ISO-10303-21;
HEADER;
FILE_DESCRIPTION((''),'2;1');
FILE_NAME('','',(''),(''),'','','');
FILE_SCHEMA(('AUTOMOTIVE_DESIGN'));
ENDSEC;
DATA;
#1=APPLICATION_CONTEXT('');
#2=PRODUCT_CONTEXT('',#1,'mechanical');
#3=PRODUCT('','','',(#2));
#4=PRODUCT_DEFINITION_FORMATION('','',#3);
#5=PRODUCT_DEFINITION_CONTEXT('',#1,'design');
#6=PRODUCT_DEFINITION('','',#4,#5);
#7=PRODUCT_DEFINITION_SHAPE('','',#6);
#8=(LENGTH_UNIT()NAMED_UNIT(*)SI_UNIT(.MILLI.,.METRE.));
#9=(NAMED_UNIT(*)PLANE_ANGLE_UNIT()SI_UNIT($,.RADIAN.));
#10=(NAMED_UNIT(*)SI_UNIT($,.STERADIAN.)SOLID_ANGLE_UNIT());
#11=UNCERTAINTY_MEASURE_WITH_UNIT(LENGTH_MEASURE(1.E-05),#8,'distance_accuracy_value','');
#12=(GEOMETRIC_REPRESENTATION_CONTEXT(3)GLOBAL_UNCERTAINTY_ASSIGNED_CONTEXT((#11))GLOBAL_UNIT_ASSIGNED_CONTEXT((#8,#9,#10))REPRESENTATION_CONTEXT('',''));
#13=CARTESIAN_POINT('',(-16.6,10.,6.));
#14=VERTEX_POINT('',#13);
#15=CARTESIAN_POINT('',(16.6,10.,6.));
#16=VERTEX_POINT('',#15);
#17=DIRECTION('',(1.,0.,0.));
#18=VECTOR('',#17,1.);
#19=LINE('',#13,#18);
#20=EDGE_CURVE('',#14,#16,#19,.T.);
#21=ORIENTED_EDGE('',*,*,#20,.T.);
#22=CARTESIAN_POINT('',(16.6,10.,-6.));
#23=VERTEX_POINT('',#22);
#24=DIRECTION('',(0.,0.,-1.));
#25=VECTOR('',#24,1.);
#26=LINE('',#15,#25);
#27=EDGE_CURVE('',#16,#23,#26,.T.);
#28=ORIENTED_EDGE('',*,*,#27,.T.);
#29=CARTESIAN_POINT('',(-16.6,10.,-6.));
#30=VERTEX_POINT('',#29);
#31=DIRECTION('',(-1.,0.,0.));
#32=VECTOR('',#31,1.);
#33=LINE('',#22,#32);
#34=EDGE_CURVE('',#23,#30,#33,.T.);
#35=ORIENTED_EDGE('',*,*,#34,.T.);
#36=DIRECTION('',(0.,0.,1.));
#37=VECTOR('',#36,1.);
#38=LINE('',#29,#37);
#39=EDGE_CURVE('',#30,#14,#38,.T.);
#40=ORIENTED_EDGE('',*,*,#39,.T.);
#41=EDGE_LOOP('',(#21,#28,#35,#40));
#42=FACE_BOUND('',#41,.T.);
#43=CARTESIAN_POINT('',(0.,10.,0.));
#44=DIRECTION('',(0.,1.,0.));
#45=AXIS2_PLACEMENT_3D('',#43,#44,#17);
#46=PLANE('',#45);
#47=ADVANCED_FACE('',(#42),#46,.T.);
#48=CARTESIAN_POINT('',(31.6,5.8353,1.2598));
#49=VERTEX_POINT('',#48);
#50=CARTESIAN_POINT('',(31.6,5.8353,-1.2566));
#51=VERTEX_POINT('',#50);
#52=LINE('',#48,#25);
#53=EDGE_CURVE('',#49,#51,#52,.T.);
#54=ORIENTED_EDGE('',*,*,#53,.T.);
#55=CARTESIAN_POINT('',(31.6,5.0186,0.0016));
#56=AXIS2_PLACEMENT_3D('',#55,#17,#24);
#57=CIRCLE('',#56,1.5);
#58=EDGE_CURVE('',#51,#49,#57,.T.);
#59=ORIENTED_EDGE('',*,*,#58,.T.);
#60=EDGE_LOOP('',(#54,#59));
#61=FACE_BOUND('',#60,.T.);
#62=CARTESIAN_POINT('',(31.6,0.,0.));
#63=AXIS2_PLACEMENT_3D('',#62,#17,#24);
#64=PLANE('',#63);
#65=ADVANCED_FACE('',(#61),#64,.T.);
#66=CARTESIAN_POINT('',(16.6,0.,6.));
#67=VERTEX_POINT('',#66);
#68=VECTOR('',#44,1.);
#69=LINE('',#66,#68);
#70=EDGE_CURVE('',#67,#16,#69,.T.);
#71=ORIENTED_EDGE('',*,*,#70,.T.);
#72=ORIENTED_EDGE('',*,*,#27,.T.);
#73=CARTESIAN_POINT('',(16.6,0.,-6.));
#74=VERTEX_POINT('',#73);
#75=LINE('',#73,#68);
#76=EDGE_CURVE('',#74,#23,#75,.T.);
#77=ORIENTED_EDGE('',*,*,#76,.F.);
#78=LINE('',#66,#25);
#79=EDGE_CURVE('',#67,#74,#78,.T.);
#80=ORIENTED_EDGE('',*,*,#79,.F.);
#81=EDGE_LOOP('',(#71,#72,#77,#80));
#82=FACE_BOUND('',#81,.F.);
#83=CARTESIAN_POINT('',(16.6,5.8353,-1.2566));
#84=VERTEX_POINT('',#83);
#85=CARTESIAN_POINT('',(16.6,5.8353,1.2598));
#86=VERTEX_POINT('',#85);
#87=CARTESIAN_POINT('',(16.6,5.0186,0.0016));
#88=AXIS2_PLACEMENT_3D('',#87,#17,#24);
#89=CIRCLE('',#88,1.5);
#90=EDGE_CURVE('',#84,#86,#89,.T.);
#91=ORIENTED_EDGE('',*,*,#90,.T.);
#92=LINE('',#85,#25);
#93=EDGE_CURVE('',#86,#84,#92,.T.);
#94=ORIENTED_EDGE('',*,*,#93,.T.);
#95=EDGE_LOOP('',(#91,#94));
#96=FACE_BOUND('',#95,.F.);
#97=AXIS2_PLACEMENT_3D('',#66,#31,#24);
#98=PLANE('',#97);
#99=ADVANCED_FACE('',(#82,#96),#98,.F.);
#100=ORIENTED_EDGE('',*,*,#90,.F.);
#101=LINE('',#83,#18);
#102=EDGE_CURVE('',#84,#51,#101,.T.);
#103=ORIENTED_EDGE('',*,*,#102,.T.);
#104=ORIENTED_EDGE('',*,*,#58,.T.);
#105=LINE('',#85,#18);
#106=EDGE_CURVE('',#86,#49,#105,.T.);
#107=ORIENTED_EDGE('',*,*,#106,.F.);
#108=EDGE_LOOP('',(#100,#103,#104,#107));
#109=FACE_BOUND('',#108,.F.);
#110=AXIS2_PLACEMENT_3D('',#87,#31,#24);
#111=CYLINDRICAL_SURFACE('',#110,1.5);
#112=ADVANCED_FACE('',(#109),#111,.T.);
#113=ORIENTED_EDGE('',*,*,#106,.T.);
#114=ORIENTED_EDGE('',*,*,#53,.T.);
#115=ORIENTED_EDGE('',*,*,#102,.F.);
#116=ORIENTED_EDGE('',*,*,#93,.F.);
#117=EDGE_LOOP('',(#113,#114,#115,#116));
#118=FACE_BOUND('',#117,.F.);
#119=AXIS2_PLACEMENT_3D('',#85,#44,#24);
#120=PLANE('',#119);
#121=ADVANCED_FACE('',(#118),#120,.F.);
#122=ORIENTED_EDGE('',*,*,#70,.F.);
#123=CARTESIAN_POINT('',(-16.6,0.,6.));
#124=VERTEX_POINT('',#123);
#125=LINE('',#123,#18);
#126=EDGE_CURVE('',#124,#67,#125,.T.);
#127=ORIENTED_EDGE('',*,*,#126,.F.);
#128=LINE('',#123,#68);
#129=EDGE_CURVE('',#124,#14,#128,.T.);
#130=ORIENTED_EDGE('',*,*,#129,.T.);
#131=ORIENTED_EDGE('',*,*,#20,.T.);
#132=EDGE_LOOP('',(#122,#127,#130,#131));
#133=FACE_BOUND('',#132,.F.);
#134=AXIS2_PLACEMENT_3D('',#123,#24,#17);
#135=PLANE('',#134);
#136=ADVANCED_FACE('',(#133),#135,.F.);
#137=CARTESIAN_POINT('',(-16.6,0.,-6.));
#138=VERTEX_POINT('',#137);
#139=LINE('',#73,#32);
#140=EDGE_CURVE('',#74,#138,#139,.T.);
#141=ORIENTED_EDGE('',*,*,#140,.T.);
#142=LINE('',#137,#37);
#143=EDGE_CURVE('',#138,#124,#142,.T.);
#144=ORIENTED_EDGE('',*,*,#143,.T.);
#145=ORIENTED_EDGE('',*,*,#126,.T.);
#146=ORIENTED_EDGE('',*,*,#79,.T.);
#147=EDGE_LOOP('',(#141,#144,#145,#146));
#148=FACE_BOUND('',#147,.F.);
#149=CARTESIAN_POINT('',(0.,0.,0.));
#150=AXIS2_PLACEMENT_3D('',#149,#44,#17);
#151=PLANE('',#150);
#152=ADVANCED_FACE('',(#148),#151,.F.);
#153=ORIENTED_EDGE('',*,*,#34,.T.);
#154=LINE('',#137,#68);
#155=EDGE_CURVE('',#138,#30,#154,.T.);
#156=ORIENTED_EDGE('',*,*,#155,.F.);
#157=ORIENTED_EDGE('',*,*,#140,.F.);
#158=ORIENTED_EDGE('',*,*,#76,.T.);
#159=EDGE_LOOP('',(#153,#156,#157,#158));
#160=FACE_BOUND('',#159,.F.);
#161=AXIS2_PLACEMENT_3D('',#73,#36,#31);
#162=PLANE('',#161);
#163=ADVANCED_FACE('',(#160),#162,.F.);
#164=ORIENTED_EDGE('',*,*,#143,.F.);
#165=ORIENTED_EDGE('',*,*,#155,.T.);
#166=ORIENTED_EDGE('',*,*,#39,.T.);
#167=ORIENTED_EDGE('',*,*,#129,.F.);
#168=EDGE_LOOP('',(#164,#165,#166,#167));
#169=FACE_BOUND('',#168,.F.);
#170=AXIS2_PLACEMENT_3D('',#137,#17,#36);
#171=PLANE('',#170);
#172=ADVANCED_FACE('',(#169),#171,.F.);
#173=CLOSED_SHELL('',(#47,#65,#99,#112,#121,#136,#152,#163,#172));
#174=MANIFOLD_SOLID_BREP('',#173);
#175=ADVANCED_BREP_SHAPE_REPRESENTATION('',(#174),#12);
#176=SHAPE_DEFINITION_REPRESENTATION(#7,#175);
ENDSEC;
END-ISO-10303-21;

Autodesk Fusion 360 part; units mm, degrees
sketch "Sketch1" plane through (0, 0, 0) normal (1, 0, 0) x (0, 0, -1)
  circle A0 centre (0, 0) radius 40
  line L0 (-2.9, 1.75) -> (2.9, 1.75)
  line L1 (2.9, 1.75) -> (2.9, -1.75)
  line L2 (2.9, -1.75) -> (-2.9, -1.75)
  line L3 (-2.9, -1.75) -> (-2.9, 1.75)
  line L4 (-2.9, 1.75) -> (2.9, -1.75) construction
  line L5 (2.9, 1.75) -> (-2.9, -1.75) construction
  dimension "d1" = 80
  dimension "d2" = 5.8
  dimension "d3" = 3.5
sketch "Sketch2" plane through (0, 0, 0) normal (0, 1, 0) x (1, 0, 0)
  line L0 (16.6, 6) -> (-16.6, 6)
  line L1 (-16.6, 6) -> (-16.6, -6)
  line L2 (-16.6, -6) -> (16.6, -6)
  line L3 (16.6, -6) -> (16.6, 6)
  line L4 (16.6, 6) -> (-16.6, -6) construction
  line L5 (-16.6, 6) -> (16.6, -6) construction
  dimension "d6" = 33.2
  dimension "d7" = 12
extrude "Extrude2" add sketch "Sketch2" along normal blind 10 makes body 1
sketch "Sketch3" plane through (16.6, 0, 0) normal (1, 0, 0) x (0, 0, -1)
  line L0 (-6, 0) -> (6, 0)
  line L1 (6, 0) -> (6, 10)
  line L2 (6, 10) -> (-6, 10)
  line L3 (-6, 10) -> (-6, 0)
  circle A0 centre (-0.0016, 5.0186) radius 1.5
  line L4 (-1.2598, 5.8353) -> (1.2566, 5.8353)
  dimension "d10" = 3
extrude "Extrude3" add sketch "Sketch3" along normal blind 15 contours A0 L4 picked at (-0.2512, 6.075) bodies 1
sketch "Sketch4" plane through (0, 0, 0) normal (1, 0, 0) x (0, 0, -1)
  circle A0 centre (0, 0) radius 30
  dimension "d13" = 60
extrude "Extrude4" add sketch "Sketch4" along normal blind 8 separate body makes body 2
sketch "Sketch5" plane through (0, 0, 0) normal (-1, 0, 0) x (0, 0, 1)
  circle A0 centre (0, 0) radius 30
  circle A1 centre (0, 0) radius 1.5
  line L0 (-1.26, 0.8139) -> (1.26, 0.8139)
  dimension "d20" = 3
  dimension "d21" = 2.52
extrude "Extrude5" cut sketch "Sketch5" against normal blind 14 contours A1 L0 picked at (0.3772, 0.8708) bodies 2
copy_body "Body->Comp1" bodies 2 removing the originals makes body 3 in component "Component"
component "Component" placed x (1, 0, 0) y (0, 1, 0) z (0, 0, 1) at (0, 0, 0)
hidden bodies 3
